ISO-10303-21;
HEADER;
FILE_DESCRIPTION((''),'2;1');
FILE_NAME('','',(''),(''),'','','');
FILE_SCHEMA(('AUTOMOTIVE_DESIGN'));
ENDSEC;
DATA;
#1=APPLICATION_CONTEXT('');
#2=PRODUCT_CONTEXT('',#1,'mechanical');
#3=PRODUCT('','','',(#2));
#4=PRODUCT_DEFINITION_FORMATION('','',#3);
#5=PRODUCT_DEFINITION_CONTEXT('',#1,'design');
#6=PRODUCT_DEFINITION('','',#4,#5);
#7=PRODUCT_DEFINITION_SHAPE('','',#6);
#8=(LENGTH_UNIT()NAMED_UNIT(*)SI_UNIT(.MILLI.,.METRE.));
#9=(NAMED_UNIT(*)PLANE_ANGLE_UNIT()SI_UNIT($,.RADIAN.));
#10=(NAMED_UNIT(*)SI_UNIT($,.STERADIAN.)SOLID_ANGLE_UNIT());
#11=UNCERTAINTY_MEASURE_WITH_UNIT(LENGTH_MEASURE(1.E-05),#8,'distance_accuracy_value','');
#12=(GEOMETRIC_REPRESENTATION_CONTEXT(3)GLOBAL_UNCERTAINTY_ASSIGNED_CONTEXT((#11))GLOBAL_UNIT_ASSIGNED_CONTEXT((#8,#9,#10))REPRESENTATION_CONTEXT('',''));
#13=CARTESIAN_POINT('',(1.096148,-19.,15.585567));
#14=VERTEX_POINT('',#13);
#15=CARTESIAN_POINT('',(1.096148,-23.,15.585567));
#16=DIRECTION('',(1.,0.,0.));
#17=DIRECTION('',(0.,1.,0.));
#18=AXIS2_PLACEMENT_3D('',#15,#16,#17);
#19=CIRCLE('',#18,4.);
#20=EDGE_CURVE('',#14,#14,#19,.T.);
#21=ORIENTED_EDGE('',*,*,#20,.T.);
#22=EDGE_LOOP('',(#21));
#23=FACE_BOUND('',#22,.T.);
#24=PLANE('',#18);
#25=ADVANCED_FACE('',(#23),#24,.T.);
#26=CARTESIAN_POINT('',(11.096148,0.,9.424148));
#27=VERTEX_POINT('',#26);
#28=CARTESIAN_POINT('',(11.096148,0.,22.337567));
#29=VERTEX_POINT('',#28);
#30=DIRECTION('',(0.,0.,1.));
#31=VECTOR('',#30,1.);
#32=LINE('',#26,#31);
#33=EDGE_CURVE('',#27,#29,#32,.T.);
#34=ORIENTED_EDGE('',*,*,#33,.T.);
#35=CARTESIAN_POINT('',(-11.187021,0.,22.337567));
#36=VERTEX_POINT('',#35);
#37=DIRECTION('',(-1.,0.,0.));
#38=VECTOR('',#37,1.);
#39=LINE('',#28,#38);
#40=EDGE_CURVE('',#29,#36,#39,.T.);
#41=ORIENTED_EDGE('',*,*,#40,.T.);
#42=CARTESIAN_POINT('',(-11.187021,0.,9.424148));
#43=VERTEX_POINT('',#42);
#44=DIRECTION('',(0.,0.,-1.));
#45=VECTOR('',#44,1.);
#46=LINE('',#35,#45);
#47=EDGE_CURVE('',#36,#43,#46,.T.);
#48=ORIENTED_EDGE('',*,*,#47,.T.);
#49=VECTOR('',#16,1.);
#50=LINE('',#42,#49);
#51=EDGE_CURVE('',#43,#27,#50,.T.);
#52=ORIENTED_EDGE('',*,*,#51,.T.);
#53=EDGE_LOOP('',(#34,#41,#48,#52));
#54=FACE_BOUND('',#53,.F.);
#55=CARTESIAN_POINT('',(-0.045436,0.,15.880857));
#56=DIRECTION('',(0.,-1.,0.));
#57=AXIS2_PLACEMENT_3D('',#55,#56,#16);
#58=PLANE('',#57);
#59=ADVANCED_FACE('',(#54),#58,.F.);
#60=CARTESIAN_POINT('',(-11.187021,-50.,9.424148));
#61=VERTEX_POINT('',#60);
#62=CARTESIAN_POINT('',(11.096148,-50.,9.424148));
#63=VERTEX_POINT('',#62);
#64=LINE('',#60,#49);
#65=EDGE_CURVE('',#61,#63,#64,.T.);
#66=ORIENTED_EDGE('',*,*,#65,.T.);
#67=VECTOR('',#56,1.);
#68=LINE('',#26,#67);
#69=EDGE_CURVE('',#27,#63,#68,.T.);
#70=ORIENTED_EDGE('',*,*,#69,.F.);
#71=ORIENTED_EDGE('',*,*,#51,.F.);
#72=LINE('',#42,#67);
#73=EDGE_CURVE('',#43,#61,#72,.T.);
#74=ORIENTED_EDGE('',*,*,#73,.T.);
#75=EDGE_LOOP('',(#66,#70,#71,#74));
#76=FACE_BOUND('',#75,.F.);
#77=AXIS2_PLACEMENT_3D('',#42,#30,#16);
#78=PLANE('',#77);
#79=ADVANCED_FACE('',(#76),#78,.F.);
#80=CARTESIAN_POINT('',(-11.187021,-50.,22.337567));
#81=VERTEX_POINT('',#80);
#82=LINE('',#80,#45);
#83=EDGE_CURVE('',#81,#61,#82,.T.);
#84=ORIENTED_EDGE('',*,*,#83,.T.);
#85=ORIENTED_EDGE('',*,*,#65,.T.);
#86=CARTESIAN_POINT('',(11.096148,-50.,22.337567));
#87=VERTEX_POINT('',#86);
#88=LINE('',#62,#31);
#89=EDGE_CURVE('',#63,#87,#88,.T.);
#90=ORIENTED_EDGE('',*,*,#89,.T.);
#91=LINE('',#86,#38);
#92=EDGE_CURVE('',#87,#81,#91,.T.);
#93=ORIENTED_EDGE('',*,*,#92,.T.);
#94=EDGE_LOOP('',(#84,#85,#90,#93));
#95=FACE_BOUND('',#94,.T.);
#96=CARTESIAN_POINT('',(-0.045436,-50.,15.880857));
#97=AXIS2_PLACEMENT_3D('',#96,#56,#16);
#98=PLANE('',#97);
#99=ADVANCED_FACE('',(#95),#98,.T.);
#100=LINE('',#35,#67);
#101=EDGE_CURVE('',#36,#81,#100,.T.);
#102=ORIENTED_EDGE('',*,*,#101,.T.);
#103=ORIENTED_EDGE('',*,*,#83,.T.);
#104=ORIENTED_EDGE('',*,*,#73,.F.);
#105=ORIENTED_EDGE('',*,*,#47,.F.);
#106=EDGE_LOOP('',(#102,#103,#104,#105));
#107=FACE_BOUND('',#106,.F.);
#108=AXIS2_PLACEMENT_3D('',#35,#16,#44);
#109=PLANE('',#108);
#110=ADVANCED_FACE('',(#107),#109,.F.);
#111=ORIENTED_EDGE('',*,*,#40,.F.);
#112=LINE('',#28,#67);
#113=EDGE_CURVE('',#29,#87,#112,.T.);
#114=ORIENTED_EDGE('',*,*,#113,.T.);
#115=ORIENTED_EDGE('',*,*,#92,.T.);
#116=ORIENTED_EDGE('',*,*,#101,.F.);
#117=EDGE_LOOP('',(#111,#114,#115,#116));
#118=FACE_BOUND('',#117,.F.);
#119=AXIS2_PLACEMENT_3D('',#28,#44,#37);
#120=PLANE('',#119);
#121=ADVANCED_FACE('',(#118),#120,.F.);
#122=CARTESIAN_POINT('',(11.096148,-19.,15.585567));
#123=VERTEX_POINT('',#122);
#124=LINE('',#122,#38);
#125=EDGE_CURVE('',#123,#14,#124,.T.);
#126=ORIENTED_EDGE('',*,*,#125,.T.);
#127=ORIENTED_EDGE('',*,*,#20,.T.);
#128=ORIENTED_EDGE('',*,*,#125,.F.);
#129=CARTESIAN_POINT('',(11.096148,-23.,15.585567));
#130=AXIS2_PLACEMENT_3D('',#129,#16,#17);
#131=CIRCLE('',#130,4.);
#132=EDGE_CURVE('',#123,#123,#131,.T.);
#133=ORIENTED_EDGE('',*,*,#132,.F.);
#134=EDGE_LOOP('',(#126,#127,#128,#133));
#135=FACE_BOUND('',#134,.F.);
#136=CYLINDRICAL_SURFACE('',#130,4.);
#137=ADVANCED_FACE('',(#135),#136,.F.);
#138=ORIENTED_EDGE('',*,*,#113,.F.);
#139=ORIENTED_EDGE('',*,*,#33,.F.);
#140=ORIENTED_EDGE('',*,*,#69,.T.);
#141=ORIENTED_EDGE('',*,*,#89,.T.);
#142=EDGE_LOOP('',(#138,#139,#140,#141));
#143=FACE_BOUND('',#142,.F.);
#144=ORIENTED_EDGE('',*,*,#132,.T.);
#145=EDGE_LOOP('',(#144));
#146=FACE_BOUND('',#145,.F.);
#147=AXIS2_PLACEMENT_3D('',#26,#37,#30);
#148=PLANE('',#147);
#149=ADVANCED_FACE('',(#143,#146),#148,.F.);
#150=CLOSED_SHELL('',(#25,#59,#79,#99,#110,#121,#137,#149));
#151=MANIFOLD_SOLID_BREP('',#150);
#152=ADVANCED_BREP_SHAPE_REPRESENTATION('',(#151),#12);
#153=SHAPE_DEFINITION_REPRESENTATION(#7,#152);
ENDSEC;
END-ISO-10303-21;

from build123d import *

# Parameters (mm, degrees)
F1_DEPTH = 50
F2_R     = 4
F3_DEPTH = 10


with BuildPart() as f1:
    # F0 (on Front) → F1 (new body)
    with BuildSketch(Plane.XZ):
        Polygon((11.096148, 22.337567), (-11.187021, 22.337567), (-11.187021, 9.424148), (0.017039, 9.424148), (11.096148, 9.424148), align=None)
    extrude(amount=F1_DEPTH)

    # F2 (on face) → F3 (cut)
    with BuildSketch(Plane.YZ.offset(11.096148)):
        with Locations((-23, 15.585567)):
            Circle(F2_R)
    extrude(amount=-F3_DEPTH, mode=Mode.SUBTRACT)


solid = f1.part
